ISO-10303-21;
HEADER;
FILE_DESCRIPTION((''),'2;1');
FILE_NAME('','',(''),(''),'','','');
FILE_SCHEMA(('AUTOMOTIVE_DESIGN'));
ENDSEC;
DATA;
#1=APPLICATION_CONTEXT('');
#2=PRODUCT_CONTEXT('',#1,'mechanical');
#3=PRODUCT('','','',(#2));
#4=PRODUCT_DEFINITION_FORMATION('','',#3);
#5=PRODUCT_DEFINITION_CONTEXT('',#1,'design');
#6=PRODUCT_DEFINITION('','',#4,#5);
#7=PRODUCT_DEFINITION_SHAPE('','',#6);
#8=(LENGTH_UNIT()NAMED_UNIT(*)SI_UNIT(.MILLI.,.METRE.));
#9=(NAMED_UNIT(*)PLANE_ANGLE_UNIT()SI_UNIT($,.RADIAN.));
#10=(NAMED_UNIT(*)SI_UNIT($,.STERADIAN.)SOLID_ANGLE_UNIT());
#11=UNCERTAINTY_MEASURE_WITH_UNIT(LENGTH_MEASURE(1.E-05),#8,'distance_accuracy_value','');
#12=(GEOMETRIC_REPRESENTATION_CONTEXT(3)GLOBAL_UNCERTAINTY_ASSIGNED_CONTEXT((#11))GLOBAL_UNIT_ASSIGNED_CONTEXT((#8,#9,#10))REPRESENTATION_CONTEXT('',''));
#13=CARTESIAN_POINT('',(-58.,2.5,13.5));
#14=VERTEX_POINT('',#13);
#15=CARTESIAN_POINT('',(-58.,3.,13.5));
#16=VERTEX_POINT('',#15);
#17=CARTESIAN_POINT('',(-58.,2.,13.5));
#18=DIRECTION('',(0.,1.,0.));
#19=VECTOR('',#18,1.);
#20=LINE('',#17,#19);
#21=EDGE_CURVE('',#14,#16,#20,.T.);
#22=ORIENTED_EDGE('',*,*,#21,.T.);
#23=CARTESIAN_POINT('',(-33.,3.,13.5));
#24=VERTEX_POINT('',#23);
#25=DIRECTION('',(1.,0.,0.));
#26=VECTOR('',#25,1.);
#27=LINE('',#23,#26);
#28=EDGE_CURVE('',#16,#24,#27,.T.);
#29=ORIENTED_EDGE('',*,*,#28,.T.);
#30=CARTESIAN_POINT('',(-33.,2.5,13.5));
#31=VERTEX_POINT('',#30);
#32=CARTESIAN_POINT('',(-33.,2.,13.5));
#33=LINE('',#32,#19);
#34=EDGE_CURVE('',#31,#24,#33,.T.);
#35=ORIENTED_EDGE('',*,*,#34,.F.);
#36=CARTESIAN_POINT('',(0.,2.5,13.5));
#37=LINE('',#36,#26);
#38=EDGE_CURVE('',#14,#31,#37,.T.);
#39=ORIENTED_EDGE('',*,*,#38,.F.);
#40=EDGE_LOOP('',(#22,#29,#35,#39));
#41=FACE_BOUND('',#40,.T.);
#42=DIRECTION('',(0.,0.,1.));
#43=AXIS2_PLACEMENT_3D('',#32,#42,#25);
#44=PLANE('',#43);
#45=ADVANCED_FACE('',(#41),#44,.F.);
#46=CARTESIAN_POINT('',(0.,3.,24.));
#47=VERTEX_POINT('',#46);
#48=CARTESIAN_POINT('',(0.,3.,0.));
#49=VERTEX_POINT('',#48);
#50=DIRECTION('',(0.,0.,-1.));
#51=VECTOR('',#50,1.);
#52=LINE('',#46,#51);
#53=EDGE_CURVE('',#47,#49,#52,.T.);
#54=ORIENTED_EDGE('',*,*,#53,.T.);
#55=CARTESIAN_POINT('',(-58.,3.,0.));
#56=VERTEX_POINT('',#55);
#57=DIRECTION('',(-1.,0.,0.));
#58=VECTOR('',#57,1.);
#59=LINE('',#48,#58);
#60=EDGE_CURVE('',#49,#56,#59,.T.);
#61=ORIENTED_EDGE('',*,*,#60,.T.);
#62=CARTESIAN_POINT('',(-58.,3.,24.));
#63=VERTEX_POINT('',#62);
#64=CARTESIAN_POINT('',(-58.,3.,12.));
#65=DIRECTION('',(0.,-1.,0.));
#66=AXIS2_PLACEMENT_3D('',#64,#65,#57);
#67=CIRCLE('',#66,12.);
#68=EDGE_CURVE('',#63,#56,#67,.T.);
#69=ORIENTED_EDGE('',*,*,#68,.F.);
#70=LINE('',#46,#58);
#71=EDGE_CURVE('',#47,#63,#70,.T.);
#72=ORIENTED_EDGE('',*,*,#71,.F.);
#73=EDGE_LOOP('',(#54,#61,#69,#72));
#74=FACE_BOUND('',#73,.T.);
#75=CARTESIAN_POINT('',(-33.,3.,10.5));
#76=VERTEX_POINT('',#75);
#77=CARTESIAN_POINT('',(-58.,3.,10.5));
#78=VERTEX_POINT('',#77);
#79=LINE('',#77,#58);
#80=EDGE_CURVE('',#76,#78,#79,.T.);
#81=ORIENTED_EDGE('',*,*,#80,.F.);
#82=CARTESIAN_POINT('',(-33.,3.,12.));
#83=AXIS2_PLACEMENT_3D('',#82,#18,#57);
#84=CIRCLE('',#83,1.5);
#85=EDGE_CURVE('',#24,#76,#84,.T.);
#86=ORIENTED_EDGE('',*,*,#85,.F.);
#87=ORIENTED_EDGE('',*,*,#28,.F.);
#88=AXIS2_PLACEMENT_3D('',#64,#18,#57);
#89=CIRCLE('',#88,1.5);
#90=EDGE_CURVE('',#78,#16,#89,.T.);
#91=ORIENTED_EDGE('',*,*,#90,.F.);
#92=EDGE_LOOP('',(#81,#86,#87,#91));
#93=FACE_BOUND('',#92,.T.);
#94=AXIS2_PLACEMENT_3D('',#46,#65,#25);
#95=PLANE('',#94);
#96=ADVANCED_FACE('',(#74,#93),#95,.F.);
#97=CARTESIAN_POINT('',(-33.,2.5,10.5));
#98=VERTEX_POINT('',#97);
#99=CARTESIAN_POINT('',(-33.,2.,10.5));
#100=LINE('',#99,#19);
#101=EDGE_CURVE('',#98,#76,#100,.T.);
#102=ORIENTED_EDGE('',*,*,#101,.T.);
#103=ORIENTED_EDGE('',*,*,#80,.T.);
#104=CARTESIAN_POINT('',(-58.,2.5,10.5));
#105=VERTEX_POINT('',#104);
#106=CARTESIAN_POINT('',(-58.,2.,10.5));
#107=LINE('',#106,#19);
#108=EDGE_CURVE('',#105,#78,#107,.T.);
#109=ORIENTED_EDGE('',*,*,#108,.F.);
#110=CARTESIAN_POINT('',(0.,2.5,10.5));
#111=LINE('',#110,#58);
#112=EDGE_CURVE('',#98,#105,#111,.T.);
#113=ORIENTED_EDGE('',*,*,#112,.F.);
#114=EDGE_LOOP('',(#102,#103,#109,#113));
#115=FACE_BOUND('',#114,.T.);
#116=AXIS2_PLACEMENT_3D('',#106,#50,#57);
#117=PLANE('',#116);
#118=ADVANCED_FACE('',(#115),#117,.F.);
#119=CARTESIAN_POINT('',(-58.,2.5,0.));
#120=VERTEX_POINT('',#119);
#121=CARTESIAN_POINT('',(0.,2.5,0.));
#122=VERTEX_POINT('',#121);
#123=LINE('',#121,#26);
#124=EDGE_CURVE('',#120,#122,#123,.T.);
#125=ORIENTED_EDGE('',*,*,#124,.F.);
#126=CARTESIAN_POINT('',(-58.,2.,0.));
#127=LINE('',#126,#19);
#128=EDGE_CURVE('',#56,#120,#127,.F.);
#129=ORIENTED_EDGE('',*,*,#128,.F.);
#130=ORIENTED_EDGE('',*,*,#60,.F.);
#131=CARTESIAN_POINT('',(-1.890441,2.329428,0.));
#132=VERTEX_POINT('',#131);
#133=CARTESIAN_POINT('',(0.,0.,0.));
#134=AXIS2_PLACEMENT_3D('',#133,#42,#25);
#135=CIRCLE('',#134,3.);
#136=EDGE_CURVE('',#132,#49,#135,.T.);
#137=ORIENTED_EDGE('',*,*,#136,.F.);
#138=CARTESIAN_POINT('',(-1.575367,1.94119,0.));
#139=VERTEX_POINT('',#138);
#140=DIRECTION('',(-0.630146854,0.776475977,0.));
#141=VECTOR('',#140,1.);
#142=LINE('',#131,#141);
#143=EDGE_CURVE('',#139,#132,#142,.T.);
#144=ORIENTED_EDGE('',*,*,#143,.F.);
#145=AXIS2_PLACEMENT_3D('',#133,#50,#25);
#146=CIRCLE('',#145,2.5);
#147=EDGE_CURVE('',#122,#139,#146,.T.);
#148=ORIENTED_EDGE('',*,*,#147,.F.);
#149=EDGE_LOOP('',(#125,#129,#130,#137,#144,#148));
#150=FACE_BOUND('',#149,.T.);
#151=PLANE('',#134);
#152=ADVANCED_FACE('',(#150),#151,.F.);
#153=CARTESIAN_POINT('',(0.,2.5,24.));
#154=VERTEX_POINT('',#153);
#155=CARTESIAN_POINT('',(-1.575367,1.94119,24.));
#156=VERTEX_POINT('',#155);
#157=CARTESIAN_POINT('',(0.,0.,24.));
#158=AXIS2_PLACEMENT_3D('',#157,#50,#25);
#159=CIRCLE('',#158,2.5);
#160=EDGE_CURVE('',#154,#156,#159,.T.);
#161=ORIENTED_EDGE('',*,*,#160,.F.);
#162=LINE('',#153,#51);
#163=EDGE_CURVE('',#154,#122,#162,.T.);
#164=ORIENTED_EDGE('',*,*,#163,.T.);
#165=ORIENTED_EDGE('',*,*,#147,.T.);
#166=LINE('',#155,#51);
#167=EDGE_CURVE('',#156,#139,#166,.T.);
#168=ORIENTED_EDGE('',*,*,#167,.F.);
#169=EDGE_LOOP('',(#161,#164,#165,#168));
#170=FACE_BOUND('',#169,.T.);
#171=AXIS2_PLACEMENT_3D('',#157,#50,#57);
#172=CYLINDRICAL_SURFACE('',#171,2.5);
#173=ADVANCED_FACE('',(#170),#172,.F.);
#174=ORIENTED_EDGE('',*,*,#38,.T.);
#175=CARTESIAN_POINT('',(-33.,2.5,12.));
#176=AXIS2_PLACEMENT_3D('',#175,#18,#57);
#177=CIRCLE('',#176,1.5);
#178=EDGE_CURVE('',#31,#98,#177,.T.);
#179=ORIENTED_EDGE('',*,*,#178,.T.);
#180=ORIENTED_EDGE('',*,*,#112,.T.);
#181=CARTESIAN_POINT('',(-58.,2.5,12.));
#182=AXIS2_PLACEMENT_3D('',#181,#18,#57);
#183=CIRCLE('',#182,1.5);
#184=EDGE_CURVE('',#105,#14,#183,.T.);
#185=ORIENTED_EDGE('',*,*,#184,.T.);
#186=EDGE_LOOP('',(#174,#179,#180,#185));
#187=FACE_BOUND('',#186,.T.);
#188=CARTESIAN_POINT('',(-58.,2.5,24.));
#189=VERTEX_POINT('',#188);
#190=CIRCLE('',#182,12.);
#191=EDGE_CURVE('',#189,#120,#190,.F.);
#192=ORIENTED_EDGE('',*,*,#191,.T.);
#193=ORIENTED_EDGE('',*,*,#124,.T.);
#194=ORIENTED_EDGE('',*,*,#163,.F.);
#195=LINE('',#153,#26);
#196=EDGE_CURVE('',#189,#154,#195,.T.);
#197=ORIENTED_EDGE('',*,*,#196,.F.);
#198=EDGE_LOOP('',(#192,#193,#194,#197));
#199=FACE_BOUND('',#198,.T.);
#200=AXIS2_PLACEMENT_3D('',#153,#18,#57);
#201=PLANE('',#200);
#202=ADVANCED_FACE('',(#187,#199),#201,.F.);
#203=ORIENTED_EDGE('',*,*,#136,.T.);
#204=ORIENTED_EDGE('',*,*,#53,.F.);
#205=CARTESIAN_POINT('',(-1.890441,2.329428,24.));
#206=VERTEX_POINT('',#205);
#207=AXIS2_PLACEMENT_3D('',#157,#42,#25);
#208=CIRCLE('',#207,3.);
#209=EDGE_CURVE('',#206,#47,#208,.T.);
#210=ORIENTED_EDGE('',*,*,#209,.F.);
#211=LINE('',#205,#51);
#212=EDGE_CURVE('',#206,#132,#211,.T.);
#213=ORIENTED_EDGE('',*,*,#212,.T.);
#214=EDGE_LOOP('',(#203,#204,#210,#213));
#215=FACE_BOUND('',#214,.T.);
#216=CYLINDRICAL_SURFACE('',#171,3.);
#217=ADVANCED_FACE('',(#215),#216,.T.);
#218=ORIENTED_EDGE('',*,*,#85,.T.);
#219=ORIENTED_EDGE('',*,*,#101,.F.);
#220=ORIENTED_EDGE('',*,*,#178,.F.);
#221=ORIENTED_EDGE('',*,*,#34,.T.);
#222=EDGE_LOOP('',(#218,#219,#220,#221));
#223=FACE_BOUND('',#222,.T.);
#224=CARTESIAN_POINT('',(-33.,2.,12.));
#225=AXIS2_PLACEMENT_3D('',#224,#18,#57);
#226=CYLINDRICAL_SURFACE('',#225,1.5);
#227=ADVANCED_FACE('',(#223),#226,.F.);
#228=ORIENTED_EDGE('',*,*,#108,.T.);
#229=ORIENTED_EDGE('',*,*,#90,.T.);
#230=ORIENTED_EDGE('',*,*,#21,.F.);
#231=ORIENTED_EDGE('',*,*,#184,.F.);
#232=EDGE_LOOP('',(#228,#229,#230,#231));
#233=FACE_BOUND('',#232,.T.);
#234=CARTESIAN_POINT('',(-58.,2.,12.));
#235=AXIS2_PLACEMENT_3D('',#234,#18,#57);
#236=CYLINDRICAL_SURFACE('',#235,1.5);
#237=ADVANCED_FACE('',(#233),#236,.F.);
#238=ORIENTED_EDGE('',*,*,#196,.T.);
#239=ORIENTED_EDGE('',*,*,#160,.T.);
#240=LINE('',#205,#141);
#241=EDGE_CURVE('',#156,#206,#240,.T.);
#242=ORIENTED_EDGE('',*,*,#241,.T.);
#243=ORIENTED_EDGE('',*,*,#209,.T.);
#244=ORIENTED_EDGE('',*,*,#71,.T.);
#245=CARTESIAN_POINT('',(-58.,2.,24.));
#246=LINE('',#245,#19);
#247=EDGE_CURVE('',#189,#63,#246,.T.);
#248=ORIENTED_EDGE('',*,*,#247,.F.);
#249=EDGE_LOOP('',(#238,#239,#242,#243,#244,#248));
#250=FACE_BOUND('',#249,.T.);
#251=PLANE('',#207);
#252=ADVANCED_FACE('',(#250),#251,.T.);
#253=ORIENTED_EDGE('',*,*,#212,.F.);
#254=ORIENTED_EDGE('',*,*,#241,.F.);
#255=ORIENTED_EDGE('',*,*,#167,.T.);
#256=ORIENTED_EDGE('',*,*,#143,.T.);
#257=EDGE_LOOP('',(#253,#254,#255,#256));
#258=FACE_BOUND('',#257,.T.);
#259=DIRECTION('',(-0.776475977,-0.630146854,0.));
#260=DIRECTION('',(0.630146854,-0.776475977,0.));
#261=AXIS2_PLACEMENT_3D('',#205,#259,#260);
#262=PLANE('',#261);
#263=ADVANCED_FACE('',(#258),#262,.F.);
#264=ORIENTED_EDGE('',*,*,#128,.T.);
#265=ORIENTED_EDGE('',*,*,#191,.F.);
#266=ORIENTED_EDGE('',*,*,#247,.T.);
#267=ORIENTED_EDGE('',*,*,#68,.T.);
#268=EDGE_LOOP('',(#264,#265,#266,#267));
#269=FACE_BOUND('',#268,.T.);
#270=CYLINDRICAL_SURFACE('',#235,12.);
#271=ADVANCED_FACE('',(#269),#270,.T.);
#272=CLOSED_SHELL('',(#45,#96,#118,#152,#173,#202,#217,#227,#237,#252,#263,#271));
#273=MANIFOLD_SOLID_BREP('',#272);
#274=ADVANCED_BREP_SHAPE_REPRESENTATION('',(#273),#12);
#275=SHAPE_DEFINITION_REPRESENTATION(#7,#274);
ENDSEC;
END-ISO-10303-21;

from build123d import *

# Parameters (mm, degrees)
SALIENTE_EXTRUIR1_DEPTH = 24
CORTAR_EXTRUIR1_DEPTH   = 1


with BuildPart() as part:
    # Croquis1 → Saliente-Extruir1 (new body)
    with BuildSketch(Plane.XY):
        with BuildLine():
            Line((0, 3), (-70, 3))
            Line((-70, 3), (-70, 2.5))
            Line((-70, 2.5), (0, 2.5))
            ThreePointArc((0, 2.5), (0.835770646, -2.356159466), (-1.575367134, 1.941189942))
            Line((-1.575367134, 1.941189942), (-1.890440561, 2.329427931))
            ThreePointArc((-1.890440561, 2.329427931), (1.002924775, -2.827391359), (0, 3))
        make_face()
    extrude(amount=SALIENTE_EXTRUIR1_DEPTH)

    # Croquis2 → Cortar-Extruir1 (cut)
    with BuildSketch(Plane(origin=(0, 3, 0), x_dir=(1, 0, 0), z_dir=(0, 1, 0))):
        with BuildLine():
            Line((-58, -10.5), (-33, -10.5))
            ThreePointArc((-33, -10.5), (-31.5, -12), (-33, -13.5))
            Line((-33, -13.5), (-58, -13.5))
            ThreePointArc((-58, -13.5), (-59.5, -12), (-58, -10.5))
        make_face()
        with BuildLine():
            Line((-58, 0), (-75.765424477, 0))
            Line((-75.765424477, 0), (-75.765424477, -24))
            Line((-75.765424477, -24), (-58, -24))
            ThreePointArc((-58, -24), (-70, -12), (-58, 0))
        make_face()
    extrude(amount=-CORTAR_EXTRUIR1_DEPTH, mode=Mode.SUBTRACT)


solid = part.part
